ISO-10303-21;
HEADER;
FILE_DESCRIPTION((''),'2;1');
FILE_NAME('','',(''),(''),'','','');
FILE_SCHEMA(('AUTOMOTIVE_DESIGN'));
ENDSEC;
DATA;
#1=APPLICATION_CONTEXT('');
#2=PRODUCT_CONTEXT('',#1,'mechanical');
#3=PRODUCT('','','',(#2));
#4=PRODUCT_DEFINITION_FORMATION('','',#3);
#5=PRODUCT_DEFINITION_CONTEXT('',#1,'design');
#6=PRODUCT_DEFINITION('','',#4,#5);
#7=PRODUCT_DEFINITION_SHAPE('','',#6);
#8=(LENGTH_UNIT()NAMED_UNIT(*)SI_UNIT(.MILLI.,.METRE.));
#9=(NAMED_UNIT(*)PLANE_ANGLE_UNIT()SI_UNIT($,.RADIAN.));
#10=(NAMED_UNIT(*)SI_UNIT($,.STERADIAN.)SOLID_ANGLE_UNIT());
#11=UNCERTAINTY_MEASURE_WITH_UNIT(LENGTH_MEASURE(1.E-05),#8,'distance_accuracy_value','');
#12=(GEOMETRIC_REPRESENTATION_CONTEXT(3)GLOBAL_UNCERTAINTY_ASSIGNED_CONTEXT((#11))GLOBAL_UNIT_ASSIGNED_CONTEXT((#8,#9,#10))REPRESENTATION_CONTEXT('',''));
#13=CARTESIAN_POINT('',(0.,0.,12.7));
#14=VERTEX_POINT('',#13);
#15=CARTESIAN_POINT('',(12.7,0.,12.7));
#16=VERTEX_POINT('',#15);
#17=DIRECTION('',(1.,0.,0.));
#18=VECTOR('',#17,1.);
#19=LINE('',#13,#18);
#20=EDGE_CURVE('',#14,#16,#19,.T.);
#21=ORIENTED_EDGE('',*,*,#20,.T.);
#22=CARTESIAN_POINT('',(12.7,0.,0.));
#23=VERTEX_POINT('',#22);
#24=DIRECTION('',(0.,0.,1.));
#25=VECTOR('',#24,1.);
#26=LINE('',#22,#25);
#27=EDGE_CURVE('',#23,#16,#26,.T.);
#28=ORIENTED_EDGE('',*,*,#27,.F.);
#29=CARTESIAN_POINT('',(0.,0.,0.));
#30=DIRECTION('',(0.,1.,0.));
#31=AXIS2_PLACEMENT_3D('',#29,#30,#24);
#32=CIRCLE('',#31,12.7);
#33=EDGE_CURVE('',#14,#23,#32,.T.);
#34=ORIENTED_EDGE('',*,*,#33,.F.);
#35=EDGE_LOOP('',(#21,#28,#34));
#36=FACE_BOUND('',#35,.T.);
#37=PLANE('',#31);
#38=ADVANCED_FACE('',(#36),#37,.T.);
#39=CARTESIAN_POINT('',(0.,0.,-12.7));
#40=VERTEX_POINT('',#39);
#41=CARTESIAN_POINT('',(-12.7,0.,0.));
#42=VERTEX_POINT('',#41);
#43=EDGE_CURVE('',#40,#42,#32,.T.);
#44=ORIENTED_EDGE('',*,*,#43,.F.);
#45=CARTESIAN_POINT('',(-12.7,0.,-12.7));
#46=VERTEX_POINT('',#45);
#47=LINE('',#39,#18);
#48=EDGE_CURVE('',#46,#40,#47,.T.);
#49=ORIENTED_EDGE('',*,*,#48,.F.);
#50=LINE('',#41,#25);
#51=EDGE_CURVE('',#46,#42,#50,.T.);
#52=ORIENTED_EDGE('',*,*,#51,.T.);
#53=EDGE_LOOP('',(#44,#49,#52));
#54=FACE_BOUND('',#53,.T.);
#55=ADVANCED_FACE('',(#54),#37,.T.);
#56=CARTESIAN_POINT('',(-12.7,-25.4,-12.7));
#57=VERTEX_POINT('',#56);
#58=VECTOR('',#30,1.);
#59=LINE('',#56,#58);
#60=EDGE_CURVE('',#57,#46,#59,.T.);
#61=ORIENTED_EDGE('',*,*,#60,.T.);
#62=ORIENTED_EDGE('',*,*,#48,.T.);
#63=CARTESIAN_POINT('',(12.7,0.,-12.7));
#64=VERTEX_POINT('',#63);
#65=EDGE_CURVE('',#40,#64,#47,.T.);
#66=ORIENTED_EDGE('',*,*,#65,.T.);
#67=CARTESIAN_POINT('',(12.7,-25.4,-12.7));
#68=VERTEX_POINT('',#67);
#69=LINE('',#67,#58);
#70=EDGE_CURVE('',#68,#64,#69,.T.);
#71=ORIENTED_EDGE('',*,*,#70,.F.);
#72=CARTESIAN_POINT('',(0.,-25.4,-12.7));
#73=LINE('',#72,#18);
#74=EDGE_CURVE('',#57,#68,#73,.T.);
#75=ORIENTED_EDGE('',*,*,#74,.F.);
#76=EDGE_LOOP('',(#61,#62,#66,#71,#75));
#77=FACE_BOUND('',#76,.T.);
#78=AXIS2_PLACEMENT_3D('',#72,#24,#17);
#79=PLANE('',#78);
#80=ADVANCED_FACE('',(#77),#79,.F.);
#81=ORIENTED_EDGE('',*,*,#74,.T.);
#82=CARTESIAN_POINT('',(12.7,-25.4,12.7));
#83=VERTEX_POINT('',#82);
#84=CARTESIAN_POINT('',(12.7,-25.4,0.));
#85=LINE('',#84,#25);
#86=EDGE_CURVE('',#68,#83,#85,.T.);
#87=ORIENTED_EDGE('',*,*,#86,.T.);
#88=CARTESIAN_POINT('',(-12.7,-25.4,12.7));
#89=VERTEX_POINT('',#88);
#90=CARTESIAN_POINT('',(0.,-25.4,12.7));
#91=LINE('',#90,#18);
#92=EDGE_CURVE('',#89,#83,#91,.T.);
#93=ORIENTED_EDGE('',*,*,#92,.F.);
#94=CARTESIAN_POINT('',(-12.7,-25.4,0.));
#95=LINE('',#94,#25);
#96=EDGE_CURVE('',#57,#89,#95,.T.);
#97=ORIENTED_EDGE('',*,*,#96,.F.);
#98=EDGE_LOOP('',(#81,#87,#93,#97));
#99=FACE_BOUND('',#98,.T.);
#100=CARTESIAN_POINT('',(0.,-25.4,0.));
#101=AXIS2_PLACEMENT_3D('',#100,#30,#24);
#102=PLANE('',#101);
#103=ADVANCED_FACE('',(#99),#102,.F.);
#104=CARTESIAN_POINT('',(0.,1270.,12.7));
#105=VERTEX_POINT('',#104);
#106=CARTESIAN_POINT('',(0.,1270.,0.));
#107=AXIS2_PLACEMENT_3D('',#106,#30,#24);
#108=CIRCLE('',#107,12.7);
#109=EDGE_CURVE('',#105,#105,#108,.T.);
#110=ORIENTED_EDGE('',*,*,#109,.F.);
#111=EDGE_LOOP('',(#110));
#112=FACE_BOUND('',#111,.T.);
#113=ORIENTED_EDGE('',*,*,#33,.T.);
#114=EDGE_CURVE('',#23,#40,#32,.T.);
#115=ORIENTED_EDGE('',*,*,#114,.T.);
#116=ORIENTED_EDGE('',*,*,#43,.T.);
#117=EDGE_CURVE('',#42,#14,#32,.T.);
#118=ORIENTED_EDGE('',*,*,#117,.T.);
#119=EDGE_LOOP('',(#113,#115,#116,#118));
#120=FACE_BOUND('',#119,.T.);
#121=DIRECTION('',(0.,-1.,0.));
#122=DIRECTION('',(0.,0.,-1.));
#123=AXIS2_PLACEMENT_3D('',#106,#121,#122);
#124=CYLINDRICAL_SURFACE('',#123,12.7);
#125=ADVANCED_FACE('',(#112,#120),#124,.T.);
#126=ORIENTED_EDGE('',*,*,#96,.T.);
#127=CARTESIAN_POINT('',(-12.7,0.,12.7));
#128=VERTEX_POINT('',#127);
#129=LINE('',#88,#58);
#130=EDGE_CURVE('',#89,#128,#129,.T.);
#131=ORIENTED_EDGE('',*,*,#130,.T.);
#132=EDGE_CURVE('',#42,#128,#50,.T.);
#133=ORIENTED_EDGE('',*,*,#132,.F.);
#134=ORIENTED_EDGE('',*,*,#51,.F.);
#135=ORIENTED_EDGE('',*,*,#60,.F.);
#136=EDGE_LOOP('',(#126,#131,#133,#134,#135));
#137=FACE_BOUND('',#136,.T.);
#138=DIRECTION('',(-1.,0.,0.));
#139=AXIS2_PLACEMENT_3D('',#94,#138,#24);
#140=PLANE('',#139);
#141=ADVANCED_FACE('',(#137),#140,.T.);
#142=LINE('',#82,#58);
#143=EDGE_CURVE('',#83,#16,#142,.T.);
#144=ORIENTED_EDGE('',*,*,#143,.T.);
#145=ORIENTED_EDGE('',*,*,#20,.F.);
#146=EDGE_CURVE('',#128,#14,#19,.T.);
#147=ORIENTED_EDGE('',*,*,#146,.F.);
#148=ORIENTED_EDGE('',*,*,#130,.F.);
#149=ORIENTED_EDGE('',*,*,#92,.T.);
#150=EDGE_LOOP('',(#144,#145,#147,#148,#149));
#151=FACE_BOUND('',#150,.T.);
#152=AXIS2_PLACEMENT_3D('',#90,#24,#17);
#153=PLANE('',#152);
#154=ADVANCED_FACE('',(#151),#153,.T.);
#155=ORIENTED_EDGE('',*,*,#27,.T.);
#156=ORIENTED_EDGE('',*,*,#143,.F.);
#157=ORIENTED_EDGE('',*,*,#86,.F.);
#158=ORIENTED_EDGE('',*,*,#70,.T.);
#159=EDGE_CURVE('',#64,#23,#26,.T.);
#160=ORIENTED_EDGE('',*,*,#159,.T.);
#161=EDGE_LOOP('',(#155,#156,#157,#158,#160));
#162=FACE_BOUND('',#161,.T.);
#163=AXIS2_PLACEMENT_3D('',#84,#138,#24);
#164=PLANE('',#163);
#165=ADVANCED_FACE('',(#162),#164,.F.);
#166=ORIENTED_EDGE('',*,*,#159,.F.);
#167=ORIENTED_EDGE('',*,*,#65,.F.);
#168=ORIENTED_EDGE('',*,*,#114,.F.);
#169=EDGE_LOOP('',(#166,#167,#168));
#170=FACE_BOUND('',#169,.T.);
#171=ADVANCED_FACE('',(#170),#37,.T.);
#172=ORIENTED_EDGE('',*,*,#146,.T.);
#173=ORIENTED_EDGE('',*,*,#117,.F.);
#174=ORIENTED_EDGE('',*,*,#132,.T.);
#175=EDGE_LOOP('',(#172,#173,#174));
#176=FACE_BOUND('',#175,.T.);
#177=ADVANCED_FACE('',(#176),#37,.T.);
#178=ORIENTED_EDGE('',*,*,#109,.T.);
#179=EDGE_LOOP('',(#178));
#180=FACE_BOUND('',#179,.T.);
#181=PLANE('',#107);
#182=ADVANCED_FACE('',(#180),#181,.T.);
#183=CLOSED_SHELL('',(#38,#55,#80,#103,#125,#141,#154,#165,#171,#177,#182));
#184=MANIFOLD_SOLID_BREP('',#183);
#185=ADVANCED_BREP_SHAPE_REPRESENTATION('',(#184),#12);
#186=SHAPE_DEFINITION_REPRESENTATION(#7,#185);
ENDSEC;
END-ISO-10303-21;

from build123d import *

# Parameters (mm, degrees)
SKETCH1_W           = 25.4
SKETCH1_H           = 25.4
BOSS_EXTRUDE1_DEPTH = 25.4
BOSS_EXTRUDE2_DEPTH = 1270


with BuildPart() as part:
    # Sketch1 → Boss-Extrude1 (new body)
    with BuildSketch(Plane(origin=(0, 0, 0), x_dir=(1, 0, 0), z_dir=(0, 1, 0))):
        Rectangle(SKETCH1_W, SKETCH1_H)
    extrude(amount=-BOSS_EXTRUDE1_DEPTH)

    # Sketch1<3> → Boss-Extrude2 (add)
    with BuildSketch(Plane(origin=(0, 0, 0), x_dir=(1, 0, 0), z_dir=(0, 1, 0))):
        with BuildLine():
            ThreePointArc((12.7, 0), (8.980256121, 8.980256121), (0, 12.7))
            ThreePointArc((0, 12.7), (-8.980256132, 8.98025611), (-12.7, -3e-08))
            ThreePointArc((-12.7, -3e-08), (-8.98025611, -8.980256132), (0, -12.7))
            ThreePointArc((0, -12.7), (8.980256121, -8.980256121), (12.7, 0))
        make_face()
    extrude(amount=BOSS_EXTRUDE2_DEPTH)


solid = part.part
